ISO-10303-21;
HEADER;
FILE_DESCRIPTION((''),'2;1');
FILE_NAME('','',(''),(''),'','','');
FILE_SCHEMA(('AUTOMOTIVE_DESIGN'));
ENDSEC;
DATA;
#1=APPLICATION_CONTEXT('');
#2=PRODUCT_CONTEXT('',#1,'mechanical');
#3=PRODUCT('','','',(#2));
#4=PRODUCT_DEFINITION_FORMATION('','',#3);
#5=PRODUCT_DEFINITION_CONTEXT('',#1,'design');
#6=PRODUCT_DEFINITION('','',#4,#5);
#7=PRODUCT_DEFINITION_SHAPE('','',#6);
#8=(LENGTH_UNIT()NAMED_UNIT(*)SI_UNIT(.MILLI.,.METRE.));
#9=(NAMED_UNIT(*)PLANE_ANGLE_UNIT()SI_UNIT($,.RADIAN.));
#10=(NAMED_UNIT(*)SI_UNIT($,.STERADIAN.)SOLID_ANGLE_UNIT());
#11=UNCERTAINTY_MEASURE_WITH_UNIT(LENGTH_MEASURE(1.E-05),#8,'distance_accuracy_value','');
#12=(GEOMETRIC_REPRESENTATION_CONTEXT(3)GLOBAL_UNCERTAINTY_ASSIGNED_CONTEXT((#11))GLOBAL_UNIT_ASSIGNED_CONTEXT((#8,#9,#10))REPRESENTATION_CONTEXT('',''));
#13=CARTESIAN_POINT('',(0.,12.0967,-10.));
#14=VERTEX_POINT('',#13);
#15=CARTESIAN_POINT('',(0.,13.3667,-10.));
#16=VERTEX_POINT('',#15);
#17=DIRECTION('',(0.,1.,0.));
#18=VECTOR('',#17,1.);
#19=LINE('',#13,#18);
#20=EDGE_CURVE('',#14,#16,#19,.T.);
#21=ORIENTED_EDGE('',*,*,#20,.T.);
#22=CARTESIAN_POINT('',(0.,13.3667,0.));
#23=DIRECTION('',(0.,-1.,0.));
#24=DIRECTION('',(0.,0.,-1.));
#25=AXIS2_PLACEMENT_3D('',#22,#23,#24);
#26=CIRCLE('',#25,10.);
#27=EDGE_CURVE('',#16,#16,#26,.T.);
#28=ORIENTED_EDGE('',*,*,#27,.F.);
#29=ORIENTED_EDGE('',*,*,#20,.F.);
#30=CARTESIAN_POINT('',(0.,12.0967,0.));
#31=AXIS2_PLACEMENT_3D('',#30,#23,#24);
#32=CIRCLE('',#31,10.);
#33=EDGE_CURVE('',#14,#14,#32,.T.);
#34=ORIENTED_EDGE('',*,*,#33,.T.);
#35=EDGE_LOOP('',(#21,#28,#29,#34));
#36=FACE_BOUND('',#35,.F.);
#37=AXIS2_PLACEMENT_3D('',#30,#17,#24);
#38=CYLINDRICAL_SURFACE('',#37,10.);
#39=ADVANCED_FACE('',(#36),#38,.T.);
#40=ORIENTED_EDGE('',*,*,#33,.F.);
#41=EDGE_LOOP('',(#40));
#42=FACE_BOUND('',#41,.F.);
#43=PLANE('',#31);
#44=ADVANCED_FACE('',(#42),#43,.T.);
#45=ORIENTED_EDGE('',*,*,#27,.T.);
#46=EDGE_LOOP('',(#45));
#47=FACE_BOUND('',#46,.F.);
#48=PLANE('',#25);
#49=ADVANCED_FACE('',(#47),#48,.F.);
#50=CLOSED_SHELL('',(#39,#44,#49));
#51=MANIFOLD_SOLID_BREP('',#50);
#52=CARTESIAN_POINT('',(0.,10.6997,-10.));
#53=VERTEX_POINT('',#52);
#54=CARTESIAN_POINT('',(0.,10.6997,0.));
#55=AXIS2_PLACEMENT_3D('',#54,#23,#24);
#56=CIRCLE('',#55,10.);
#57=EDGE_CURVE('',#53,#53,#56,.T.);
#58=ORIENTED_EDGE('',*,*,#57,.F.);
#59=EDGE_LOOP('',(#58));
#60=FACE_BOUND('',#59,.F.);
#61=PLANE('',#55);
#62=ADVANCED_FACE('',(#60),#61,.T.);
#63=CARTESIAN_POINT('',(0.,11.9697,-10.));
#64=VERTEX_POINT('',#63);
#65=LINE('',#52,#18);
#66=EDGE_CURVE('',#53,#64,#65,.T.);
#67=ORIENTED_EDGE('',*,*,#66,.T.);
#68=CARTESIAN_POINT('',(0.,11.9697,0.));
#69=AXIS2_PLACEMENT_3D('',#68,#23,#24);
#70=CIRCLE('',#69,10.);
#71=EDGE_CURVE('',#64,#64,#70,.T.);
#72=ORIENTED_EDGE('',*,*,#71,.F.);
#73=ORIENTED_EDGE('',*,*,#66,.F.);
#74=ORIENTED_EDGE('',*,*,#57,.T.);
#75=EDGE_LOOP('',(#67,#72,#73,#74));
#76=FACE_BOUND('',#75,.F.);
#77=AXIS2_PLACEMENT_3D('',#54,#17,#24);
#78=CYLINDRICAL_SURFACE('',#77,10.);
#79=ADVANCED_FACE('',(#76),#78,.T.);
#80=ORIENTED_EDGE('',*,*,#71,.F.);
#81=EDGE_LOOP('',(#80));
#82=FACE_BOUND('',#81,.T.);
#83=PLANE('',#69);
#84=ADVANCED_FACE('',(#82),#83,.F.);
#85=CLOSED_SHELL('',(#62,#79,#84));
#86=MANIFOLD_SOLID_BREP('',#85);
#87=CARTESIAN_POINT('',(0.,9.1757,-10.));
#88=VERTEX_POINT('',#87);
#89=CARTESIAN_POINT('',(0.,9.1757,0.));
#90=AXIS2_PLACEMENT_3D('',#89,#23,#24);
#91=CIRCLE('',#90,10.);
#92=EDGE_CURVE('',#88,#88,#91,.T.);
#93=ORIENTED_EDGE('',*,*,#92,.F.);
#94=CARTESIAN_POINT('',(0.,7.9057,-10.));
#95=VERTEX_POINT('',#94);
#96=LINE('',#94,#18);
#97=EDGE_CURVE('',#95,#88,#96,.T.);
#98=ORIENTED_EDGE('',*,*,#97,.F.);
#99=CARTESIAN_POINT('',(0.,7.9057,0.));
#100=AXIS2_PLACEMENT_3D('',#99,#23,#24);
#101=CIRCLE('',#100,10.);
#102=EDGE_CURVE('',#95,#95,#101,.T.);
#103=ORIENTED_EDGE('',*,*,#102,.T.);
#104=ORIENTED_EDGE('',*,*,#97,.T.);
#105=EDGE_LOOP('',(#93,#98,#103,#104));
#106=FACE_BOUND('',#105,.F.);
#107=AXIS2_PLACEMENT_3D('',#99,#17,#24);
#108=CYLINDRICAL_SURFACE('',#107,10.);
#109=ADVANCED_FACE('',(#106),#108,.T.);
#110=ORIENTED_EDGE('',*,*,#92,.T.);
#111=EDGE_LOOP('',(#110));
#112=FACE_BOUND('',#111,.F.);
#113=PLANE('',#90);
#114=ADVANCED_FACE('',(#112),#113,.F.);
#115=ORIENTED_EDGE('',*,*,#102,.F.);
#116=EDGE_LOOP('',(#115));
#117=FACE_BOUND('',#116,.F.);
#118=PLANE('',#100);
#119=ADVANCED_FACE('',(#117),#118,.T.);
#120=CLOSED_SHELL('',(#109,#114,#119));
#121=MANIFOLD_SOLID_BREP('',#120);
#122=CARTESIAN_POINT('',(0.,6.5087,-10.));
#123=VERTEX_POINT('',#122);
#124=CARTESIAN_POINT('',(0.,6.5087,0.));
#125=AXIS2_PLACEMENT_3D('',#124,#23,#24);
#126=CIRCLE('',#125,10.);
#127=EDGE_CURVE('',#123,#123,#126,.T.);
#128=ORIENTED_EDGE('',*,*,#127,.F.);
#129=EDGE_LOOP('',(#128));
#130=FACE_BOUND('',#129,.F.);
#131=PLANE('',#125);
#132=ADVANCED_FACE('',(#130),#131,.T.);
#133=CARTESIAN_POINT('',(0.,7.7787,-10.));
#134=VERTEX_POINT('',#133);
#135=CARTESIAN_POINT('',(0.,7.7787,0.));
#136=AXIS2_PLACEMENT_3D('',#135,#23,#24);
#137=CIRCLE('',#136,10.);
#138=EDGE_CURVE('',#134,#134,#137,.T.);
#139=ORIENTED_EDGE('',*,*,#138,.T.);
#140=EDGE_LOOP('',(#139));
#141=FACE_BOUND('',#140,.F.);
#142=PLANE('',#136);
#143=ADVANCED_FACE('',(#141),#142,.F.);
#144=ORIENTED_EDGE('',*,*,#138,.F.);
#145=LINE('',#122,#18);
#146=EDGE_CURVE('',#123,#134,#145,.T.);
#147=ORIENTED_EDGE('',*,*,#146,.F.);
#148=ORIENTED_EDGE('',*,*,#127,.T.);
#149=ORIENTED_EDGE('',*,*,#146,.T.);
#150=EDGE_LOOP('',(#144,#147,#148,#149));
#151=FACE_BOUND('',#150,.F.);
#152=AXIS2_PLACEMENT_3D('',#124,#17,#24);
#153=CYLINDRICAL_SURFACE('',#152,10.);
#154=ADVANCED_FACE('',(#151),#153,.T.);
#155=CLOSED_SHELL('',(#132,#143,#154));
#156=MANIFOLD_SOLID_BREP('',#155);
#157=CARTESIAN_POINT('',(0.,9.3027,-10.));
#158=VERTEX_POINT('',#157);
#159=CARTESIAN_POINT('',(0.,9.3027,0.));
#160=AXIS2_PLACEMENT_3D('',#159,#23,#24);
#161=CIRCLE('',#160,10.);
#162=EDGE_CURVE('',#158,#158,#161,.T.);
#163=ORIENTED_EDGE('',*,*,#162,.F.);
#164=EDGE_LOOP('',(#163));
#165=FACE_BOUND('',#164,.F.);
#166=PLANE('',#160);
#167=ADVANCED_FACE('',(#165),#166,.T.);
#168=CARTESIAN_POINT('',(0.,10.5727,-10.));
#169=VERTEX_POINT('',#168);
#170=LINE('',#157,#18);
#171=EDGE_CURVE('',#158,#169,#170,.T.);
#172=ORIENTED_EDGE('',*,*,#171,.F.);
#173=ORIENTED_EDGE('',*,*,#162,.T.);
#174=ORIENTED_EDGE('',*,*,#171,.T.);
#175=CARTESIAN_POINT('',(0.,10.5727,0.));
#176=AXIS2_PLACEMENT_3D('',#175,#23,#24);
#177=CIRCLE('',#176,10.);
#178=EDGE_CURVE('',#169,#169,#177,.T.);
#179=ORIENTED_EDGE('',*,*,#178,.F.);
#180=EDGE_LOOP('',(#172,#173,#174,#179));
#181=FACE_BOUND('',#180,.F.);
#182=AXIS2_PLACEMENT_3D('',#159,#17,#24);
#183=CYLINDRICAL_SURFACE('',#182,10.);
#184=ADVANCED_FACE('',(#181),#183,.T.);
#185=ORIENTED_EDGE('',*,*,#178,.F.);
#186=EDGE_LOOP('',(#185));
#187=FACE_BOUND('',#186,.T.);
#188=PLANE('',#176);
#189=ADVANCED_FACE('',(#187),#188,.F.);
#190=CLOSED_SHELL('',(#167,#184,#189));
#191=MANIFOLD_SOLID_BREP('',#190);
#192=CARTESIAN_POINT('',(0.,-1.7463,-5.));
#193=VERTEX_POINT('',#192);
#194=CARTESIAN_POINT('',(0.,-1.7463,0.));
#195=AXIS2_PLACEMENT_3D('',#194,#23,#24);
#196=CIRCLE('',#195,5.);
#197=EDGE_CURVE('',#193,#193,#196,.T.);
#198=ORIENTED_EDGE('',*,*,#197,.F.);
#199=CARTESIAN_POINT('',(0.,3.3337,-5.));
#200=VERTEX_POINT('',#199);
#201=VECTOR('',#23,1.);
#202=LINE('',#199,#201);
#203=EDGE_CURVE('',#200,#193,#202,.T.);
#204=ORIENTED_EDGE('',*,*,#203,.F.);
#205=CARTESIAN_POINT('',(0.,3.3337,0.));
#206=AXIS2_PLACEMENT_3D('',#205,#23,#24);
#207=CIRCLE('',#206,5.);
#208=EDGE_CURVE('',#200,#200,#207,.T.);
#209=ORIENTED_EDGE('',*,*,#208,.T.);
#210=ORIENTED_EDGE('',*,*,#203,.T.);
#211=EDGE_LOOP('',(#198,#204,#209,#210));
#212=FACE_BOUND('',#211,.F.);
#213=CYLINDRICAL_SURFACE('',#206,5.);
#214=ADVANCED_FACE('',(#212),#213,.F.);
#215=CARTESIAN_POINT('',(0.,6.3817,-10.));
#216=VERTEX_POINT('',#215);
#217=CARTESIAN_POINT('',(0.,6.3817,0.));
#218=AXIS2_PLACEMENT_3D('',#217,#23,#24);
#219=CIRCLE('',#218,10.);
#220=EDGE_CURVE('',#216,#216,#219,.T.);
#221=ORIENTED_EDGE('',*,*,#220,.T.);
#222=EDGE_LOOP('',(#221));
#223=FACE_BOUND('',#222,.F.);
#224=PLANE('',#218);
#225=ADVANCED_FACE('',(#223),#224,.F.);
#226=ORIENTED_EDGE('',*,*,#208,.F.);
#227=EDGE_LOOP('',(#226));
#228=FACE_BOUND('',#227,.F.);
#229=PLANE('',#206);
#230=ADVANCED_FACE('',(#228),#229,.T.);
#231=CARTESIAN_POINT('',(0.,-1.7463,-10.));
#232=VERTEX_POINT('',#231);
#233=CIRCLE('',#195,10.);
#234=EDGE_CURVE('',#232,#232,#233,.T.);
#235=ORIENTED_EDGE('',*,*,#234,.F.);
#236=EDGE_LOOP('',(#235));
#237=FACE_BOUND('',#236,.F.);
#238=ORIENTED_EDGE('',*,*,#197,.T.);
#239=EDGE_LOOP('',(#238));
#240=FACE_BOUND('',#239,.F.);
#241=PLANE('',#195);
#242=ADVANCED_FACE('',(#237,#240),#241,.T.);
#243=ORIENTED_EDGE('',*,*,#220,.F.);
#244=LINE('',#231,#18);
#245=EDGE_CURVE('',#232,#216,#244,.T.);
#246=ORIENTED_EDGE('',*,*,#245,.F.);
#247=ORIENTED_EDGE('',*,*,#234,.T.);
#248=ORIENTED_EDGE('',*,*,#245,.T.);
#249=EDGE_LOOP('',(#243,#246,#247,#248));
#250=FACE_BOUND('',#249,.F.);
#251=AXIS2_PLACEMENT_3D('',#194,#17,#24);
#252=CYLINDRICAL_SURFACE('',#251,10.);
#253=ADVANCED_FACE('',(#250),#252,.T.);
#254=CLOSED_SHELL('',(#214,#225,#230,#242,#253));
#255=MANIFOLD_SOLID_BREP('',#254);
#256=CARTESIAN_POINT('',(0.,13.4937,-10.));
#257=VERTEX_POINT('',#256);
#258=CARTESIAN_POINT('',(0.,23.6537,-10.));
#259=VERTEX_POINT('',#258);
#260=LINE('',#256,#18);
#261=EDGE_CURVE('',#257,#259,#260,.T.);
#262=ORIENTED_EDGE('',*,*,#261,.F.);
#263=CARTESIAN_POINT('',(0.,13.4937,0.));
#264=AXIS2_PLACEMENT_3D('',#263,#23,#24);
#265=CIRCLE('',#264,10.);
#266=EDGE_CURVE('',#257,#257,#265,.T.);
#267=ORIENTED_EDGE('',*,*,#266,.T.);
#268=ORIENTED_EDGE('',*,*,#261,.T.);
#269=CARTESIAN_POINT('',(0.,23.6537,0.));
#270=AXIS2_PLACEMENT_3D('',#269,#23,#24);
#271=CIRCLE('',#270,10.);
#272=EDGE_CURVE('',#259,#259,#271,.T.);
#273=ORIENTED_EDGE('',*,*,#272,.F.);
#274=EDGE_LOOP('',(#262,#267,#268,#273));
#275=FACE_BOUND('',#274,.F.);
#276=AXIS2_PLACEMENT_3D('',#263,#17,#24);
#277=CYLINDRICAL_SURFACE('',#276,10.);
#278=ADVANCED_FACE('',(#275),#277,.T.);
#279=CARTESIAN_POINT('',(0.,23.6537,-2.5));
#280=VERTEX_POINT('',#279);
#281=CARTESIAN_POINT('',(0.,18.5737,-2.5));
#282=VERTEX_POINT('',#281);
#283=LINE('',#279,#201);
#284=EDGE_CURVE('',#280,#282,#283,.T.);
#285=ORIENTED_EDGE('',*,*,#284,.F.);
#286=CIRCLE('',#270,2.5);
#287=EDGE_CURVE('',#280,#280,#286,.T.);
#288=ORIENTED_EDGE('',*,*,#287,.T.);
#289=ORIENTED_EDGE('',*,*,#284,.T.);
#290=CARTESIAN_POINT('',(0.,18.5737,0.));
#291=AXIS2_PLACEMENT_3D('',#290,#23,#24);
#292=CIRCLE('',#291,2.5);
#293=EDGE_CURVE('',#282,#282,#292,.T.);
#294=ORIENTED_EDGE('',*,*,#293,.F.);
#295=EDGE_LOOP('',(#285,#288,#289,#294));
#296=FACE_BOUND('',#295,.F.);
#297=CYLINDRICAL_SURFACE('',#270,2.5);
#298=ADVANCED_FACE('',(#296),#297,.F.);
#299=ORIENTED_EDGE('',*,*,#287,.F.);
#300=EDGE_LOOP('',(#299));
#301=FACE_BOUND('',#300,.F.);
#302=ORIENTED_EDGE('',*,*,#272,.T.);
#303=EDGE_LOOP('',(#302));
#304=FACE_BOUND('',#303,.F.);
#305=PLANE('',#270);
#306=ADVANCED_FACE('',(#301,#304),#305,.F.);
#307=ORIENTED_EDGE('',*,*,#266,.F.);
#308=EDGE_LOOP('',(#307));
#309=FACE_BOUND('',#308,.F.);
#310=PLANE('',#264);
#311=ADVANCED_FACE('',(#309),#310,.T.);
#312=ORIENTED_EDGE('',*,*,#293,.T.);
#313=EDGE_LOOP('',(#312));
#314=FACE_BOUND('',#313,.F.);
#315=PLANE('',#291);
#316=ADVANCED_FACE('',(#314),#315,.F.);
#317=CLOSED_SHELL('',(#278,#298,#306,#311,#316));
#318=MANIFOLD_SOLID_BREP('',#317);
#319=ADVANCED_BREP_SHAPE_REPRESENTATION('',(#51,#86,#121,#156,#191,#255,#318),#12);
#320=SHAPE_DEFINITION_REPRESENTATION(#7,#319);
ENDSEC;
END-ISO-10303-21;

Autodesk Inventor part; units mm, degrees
ref_plane "YZ Plane" through (0, 0, 0) normal (1, 0, 0) x (0, 1, 0)
ref_plane "XZ Plane" through (0, 0, 0) normal (0, 1, 0) x (-1, 0, 0)
ref_plane "XY Plane" through (0, 0, 0) normal (0, 0, 1) x (1, 0, 0)
sketch "Sketch2" plane through (0, 0, 0) normal (1, 0, 0) x (0, 1, 0)
  line L0 (3.3337, 0) -> (3.3337, -5)
  line L1 (3.3337, -5) -> (-1.7463, -5)
  line L2 (-1.7463, -5) -> (-1.7463, -10)
  line L3 (23.6537, -10) -> (23.6537, -2.5)
  line L4 (23.6537, -2.5) -> (18.5737, -2.5)
  line L5 (18.5737, -2.5) -> (18.5737, 0)
  line L6 (13.4937, 0) -> (13.4937, -10)
  line L7 (13.3667, -10) -> (13.3667, 0)
  line L8 (18.5737, 0) -> (13.4937, 0)
  line L9 (13.4937, -10) -> (23.6537, -10)
  line L10 (12.0967, 0) -> (12.0967, -10)
  line L11 (11.9697, 0) -> (11.9697, -10)
  line L12 (10.6997, 0) -> (10.6997, -10)
  line L13 (10.5727, 0) -> (10.5727, -10)
  line L14 (12.0967, -10) -> (13.3667, -10)
  line L15 (13.3667, 0) -> (12.0967, 0)
  line L16 (11.9697, 0) -> (10.6997, 0)
  line L17 (10.6997, -10) -> (11.9697, -10)
  line L18 (9.3027, 0) -> (9.3027, -10)
  line L19 (9.1757, -10) -> (9.1757, 0)
  line L20 (7.9057, 0) -> (7.9057, -10)
  line L21 (7.7787, -10) -> (7.7787, 0)
  line L22 (6.5087, 0) -> (6.5087, -10)
  line L23 (6.3817, -10) -> (6.3817, 0)
  line L24 (10.5727, 0) -> (9.3027, 0)
  line L25 (9.3027, -10) -> (10.5727, -10)
  line L26 (7.9057, -10) -> (9.1757, -10)
  line L27 (9.1757, 0) -> (7.9057, 0)
  line L28 (7.7787, 0) -> (6.5087, 0)
  line L29 (6.3817, 0) -> (3.3337, 0)
  line L30 (-1.7463, -10) -> (6.3817, -10)
  line L31 (6.5087, -10) -> (7.7787, -10)
  point P0 (0, 0)
  dimension "d1" = 5.08
  dimension "d2" = 5.08
  dimension "d3" = 25.4
  dimension "d4" = 0.127
  dimension "d5" = 0.127
  dimension "d6" = 0.127
  dimension "d7" = 0.127
  dimension "d8" = 0.127
  dimension "d10" = 0.127
  dimension "d12" = 1.27
  dimension "d13" = 1.27
  dimension "d14" = 1.27
  dimension "d15" = 1.27
  dimension "d16" = 1.27
  dimension "d17" = 2.5
  dimension "d18" = 5
  dimension "d20" = 10
  dimension "d21" = 5.08
revolve "Revolution2" add sketch "Sketch2" angle 360 about axis through (0, 18.5737, 0) along (0, -1, 0)
equation "\"d5\" = d4"
equation "\"d6\" = d5"
equation "\"d7\" = d6"
equation "\"d8\" = d7"
equation "\"d10\" = d8"
equation "\"d13\" = d12"
equation "\"d14\" = d13"
equation "\"d15\" = d14"
equation "\"d16\" = d12"
properties part number "Shaft_Coupler_5mm_10mm"
